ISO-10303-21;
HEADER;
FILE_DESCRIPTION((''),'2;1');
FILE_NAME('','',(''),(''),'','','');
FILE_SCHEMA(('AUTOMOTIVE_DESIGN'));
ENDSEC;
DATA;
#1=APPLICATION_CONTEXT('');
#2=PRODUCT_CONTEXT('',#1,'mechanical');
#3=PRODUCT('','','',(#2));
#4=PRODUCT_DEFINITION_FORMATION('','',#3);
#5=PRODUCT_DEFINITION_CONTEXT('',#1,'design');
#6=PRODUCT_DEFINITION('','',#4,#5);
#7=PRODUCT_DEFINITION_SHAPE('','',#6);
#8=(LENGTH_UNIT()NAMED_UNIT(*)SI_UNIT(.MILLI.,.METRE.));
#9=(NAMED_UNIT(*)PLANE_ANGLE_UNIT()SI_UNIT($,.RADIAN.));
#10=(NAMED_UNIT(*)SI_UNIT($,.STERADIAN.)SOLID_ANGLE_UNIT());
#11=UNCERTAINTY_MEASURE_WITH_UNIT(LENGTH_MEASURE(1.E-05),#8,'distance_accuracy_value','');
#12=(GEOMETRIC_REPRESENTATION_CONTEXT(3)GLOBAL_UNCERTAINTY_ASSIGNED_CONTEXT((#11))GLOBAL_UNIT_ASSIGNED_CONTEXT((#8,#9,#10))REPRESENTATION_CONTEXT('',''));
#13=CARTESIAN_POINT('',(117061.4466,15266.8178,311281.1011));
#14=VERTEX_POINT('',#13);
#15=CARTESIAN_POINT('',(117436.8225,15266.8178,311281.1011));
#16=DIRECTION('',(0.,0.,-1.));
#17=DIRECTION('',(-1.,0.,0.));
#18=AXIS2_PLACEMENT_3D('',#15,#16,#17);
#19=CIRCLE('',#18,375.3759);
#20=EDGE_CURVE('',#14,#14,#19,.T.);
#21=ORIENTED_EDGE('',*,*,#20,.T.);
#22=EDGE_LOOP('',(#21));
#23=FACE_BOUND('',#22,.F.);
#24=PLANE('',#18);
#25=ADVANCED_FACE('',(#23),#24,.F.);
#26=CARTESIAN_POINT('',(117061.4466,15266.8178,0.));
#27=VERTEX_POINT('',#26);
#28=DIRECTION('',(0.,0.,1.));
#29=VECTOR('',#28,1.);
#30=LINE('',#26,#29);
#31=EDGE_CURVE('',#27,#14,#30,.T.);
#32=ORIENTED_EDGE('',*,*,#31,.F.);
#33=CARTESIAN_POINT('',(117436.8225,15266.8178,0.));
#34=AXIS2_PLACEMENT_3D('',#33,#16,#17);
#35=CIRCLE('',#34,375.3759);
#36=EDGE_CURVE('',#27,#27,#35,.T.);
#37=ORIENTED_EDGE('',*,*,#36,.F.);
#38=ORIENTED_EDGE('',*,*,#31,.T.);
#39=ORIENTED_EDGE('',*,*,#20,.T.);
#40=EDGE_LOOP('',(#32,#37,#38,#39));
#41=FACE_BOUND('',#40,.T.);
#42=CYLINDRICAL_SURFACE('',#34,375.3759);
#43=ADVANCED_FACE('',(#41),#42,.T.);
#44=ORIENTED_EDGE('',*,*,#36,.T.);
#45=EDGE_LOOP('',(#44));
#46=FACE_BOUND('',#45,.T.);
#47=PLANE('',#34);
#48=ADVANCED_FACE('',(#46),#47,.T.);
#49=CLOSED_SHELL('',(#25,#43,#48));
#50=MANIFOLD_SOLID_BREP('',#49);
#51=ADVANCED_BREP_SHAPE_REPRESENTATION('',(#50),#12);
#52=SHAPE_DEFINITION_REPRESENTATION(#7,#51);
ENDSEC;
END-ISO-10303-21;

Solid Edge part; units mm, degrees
sketch "Sketch1" plane through (11704.5574, -93814.403, 0) normal (0, 0, -1) x (-1, 0, 0)
  circle A0 centre (-105732.2651, 109081.2208) radius 375.3759
extrude "Protrusion1" add sketch "Sketch1" against normal blind 311281.1011
